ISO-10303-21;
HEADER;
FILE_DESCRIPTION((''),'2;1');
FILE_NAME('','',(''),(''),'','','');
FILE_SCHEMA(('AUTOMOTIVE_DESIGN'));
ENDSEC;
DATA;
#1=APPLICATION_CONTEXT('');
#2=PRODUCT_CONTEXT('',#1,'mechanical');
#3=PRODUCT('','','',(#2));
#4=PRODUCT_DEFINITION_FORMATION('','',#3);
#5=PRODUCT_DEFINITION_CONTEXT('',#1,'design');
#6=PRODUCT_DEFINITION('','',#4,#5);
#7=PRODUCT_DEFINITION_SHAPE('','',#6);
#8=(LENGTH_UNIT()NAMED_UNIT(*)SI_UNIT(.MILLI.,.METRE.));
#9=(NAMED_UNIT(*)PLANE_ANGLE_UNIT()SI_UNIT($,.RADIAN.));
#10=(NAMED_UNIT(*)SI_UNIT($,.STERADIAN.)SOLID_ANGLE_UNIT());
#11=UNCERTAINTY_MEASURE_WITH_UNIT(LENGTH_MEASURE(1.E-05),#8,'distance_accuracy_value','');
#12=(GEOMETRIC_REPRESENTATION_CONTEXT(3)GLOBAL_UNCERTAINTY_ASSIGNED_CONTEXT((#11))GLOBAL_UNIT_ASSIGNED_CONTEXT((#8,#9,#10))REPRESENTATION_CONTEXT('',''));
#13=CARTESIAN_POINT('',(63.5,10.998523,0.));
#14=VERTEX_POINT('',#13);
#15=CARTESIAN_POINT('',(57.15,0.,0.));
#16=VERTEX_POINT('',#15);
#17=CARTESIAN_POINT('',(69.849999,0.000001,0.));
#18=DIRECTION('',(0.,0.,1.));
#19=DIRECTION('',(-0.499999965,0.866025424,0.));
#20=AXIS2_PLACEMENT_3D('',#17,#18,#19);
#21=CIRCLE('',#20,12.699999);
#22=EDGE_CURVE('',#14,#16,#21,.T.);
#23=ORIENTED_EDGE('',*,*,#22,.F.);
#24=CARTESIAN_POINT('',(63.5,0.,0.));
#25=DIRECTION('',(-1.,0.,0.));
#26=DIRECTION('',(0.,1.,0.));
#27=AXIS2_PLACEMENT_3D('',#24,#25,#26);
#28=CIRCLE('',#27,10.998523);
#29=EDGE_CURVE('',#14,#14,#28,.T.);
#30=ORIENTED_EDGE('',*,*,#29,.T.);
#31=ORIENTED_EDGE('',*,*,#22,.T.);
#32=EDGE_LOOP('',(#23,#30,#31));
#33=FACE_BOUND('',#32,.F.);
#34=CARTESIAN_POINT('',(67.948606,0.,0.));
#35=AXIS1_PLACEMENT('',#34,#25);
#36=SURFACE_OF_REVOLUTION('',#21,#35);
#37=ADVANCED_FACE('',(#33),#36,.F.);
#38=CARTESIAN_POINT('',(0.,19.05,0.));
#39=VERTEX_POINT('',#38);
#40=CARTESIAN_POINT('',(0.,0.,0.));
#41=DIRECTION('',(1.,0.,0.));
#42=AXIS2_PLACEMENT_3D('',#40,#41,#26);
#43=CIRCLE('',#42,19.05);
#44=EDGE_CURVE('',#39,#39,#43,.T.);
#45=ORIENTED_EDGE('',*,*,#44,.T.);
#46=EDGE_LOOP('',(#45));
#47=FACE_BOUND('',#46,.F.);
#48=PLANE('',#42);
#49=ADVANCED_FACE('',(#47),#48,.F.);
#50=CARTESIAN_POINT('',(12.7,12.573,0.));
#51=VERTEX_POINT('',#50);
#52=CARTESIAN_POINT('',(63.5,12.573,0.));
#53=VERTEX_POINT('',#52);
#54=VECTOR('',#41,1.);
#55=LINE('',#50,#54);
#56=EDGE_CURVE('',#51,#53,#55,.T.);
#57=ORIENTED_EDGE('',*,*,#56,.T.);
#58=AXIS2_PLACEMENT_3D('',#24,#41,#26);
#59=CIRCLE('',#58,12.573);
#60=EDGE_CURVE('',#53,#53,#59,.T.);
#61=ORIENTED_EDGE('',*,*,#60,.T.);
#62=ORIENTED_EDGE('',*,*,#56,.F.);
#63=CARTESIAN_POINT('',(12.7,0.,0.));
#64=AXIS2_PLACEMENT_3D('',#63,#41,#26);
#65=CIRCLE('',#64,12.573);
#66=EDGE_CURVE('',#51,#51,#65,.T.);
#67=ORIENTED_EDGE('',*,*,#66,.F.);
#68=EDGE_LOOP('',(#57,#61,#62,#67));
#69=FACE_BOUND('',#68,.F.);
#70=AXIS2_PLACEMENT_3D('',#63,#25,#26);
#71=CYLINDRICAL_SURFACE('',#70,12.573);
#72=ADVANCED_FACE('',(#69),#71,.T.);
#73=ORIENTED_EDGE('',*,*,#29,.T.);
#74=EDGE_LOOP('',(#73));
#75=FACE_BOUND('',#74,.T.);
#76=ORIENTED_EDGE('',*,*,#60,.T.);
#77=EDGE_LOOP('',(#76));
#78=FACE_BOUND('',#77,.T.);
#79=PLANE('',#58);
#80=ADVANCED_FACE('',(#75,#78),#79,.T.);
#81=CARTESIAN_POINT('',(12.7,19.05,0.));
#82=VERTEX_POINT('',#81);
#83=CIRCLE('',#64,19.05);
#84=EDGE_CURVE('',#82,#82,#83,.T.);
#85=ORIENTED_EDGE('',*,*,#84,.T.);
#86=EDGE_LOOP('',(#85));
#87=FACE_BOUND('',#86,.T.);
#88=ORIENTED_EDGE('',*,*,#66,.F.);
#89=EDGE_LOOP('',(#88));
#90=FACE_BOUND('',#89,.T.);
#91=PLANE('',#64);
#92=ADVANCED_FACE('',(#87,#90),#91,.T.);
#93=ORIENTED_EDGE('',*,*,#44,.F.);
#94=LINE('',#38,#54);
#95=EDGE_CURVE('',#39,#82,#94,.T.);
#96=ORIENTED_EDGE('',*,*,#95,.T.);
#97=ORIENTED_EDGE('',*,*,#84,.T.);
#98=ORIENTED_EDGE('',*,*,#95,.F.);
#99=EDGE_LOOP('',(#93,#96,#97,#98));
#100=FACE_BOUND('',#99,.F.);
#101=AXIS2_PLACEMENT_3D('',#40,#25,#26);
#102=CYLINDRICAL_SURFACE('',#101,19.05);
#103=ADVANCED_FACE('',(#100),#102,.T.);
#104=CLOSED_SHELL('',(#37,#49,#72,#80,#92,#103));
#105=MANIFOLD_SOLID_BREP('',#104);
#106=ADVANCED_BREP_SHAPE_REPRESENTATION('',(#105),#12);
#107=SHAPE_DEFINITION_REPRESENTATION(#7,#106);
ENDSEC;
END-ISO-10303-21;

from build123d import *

# Parameters (mm, degrees)
F0_R     = 19.05
F1_DEPTH = 12.7
F2_R     = 12.573
F3_DEPTH = 50.8


with BuildPart() as f1:
    # F0 (on Right) → F1 (new body)
    with BuildSketch(Plane.YZ):
        Circle(F0_R)
    extrude(amount=F1_DEPTH)

    # F2 (on face) → F3 (join)
    with BuildSketch(Plane.YZ.offset(12.7)):
        Circle(F2_R)
    extrude(amount=F3_DEPTH)

    # F4 (on Top) → F6 (revolve, cut)
    with BuildSketch(Plane.XY):
        with BuildLine():
            Line((63.5, 0), (63.5, 10.998523))
            ThreePointArc((63.5, 10.998523), (58.851477, 6.35), (57.15, 0))
            Line((57.15, 0), (63.5, 0))
        make_face()
    revolve(axis=Axis((67.948606, 0, 0), (-1, 0, 0)), mode=Mode.SUBTRACT)


solid = f1.part
